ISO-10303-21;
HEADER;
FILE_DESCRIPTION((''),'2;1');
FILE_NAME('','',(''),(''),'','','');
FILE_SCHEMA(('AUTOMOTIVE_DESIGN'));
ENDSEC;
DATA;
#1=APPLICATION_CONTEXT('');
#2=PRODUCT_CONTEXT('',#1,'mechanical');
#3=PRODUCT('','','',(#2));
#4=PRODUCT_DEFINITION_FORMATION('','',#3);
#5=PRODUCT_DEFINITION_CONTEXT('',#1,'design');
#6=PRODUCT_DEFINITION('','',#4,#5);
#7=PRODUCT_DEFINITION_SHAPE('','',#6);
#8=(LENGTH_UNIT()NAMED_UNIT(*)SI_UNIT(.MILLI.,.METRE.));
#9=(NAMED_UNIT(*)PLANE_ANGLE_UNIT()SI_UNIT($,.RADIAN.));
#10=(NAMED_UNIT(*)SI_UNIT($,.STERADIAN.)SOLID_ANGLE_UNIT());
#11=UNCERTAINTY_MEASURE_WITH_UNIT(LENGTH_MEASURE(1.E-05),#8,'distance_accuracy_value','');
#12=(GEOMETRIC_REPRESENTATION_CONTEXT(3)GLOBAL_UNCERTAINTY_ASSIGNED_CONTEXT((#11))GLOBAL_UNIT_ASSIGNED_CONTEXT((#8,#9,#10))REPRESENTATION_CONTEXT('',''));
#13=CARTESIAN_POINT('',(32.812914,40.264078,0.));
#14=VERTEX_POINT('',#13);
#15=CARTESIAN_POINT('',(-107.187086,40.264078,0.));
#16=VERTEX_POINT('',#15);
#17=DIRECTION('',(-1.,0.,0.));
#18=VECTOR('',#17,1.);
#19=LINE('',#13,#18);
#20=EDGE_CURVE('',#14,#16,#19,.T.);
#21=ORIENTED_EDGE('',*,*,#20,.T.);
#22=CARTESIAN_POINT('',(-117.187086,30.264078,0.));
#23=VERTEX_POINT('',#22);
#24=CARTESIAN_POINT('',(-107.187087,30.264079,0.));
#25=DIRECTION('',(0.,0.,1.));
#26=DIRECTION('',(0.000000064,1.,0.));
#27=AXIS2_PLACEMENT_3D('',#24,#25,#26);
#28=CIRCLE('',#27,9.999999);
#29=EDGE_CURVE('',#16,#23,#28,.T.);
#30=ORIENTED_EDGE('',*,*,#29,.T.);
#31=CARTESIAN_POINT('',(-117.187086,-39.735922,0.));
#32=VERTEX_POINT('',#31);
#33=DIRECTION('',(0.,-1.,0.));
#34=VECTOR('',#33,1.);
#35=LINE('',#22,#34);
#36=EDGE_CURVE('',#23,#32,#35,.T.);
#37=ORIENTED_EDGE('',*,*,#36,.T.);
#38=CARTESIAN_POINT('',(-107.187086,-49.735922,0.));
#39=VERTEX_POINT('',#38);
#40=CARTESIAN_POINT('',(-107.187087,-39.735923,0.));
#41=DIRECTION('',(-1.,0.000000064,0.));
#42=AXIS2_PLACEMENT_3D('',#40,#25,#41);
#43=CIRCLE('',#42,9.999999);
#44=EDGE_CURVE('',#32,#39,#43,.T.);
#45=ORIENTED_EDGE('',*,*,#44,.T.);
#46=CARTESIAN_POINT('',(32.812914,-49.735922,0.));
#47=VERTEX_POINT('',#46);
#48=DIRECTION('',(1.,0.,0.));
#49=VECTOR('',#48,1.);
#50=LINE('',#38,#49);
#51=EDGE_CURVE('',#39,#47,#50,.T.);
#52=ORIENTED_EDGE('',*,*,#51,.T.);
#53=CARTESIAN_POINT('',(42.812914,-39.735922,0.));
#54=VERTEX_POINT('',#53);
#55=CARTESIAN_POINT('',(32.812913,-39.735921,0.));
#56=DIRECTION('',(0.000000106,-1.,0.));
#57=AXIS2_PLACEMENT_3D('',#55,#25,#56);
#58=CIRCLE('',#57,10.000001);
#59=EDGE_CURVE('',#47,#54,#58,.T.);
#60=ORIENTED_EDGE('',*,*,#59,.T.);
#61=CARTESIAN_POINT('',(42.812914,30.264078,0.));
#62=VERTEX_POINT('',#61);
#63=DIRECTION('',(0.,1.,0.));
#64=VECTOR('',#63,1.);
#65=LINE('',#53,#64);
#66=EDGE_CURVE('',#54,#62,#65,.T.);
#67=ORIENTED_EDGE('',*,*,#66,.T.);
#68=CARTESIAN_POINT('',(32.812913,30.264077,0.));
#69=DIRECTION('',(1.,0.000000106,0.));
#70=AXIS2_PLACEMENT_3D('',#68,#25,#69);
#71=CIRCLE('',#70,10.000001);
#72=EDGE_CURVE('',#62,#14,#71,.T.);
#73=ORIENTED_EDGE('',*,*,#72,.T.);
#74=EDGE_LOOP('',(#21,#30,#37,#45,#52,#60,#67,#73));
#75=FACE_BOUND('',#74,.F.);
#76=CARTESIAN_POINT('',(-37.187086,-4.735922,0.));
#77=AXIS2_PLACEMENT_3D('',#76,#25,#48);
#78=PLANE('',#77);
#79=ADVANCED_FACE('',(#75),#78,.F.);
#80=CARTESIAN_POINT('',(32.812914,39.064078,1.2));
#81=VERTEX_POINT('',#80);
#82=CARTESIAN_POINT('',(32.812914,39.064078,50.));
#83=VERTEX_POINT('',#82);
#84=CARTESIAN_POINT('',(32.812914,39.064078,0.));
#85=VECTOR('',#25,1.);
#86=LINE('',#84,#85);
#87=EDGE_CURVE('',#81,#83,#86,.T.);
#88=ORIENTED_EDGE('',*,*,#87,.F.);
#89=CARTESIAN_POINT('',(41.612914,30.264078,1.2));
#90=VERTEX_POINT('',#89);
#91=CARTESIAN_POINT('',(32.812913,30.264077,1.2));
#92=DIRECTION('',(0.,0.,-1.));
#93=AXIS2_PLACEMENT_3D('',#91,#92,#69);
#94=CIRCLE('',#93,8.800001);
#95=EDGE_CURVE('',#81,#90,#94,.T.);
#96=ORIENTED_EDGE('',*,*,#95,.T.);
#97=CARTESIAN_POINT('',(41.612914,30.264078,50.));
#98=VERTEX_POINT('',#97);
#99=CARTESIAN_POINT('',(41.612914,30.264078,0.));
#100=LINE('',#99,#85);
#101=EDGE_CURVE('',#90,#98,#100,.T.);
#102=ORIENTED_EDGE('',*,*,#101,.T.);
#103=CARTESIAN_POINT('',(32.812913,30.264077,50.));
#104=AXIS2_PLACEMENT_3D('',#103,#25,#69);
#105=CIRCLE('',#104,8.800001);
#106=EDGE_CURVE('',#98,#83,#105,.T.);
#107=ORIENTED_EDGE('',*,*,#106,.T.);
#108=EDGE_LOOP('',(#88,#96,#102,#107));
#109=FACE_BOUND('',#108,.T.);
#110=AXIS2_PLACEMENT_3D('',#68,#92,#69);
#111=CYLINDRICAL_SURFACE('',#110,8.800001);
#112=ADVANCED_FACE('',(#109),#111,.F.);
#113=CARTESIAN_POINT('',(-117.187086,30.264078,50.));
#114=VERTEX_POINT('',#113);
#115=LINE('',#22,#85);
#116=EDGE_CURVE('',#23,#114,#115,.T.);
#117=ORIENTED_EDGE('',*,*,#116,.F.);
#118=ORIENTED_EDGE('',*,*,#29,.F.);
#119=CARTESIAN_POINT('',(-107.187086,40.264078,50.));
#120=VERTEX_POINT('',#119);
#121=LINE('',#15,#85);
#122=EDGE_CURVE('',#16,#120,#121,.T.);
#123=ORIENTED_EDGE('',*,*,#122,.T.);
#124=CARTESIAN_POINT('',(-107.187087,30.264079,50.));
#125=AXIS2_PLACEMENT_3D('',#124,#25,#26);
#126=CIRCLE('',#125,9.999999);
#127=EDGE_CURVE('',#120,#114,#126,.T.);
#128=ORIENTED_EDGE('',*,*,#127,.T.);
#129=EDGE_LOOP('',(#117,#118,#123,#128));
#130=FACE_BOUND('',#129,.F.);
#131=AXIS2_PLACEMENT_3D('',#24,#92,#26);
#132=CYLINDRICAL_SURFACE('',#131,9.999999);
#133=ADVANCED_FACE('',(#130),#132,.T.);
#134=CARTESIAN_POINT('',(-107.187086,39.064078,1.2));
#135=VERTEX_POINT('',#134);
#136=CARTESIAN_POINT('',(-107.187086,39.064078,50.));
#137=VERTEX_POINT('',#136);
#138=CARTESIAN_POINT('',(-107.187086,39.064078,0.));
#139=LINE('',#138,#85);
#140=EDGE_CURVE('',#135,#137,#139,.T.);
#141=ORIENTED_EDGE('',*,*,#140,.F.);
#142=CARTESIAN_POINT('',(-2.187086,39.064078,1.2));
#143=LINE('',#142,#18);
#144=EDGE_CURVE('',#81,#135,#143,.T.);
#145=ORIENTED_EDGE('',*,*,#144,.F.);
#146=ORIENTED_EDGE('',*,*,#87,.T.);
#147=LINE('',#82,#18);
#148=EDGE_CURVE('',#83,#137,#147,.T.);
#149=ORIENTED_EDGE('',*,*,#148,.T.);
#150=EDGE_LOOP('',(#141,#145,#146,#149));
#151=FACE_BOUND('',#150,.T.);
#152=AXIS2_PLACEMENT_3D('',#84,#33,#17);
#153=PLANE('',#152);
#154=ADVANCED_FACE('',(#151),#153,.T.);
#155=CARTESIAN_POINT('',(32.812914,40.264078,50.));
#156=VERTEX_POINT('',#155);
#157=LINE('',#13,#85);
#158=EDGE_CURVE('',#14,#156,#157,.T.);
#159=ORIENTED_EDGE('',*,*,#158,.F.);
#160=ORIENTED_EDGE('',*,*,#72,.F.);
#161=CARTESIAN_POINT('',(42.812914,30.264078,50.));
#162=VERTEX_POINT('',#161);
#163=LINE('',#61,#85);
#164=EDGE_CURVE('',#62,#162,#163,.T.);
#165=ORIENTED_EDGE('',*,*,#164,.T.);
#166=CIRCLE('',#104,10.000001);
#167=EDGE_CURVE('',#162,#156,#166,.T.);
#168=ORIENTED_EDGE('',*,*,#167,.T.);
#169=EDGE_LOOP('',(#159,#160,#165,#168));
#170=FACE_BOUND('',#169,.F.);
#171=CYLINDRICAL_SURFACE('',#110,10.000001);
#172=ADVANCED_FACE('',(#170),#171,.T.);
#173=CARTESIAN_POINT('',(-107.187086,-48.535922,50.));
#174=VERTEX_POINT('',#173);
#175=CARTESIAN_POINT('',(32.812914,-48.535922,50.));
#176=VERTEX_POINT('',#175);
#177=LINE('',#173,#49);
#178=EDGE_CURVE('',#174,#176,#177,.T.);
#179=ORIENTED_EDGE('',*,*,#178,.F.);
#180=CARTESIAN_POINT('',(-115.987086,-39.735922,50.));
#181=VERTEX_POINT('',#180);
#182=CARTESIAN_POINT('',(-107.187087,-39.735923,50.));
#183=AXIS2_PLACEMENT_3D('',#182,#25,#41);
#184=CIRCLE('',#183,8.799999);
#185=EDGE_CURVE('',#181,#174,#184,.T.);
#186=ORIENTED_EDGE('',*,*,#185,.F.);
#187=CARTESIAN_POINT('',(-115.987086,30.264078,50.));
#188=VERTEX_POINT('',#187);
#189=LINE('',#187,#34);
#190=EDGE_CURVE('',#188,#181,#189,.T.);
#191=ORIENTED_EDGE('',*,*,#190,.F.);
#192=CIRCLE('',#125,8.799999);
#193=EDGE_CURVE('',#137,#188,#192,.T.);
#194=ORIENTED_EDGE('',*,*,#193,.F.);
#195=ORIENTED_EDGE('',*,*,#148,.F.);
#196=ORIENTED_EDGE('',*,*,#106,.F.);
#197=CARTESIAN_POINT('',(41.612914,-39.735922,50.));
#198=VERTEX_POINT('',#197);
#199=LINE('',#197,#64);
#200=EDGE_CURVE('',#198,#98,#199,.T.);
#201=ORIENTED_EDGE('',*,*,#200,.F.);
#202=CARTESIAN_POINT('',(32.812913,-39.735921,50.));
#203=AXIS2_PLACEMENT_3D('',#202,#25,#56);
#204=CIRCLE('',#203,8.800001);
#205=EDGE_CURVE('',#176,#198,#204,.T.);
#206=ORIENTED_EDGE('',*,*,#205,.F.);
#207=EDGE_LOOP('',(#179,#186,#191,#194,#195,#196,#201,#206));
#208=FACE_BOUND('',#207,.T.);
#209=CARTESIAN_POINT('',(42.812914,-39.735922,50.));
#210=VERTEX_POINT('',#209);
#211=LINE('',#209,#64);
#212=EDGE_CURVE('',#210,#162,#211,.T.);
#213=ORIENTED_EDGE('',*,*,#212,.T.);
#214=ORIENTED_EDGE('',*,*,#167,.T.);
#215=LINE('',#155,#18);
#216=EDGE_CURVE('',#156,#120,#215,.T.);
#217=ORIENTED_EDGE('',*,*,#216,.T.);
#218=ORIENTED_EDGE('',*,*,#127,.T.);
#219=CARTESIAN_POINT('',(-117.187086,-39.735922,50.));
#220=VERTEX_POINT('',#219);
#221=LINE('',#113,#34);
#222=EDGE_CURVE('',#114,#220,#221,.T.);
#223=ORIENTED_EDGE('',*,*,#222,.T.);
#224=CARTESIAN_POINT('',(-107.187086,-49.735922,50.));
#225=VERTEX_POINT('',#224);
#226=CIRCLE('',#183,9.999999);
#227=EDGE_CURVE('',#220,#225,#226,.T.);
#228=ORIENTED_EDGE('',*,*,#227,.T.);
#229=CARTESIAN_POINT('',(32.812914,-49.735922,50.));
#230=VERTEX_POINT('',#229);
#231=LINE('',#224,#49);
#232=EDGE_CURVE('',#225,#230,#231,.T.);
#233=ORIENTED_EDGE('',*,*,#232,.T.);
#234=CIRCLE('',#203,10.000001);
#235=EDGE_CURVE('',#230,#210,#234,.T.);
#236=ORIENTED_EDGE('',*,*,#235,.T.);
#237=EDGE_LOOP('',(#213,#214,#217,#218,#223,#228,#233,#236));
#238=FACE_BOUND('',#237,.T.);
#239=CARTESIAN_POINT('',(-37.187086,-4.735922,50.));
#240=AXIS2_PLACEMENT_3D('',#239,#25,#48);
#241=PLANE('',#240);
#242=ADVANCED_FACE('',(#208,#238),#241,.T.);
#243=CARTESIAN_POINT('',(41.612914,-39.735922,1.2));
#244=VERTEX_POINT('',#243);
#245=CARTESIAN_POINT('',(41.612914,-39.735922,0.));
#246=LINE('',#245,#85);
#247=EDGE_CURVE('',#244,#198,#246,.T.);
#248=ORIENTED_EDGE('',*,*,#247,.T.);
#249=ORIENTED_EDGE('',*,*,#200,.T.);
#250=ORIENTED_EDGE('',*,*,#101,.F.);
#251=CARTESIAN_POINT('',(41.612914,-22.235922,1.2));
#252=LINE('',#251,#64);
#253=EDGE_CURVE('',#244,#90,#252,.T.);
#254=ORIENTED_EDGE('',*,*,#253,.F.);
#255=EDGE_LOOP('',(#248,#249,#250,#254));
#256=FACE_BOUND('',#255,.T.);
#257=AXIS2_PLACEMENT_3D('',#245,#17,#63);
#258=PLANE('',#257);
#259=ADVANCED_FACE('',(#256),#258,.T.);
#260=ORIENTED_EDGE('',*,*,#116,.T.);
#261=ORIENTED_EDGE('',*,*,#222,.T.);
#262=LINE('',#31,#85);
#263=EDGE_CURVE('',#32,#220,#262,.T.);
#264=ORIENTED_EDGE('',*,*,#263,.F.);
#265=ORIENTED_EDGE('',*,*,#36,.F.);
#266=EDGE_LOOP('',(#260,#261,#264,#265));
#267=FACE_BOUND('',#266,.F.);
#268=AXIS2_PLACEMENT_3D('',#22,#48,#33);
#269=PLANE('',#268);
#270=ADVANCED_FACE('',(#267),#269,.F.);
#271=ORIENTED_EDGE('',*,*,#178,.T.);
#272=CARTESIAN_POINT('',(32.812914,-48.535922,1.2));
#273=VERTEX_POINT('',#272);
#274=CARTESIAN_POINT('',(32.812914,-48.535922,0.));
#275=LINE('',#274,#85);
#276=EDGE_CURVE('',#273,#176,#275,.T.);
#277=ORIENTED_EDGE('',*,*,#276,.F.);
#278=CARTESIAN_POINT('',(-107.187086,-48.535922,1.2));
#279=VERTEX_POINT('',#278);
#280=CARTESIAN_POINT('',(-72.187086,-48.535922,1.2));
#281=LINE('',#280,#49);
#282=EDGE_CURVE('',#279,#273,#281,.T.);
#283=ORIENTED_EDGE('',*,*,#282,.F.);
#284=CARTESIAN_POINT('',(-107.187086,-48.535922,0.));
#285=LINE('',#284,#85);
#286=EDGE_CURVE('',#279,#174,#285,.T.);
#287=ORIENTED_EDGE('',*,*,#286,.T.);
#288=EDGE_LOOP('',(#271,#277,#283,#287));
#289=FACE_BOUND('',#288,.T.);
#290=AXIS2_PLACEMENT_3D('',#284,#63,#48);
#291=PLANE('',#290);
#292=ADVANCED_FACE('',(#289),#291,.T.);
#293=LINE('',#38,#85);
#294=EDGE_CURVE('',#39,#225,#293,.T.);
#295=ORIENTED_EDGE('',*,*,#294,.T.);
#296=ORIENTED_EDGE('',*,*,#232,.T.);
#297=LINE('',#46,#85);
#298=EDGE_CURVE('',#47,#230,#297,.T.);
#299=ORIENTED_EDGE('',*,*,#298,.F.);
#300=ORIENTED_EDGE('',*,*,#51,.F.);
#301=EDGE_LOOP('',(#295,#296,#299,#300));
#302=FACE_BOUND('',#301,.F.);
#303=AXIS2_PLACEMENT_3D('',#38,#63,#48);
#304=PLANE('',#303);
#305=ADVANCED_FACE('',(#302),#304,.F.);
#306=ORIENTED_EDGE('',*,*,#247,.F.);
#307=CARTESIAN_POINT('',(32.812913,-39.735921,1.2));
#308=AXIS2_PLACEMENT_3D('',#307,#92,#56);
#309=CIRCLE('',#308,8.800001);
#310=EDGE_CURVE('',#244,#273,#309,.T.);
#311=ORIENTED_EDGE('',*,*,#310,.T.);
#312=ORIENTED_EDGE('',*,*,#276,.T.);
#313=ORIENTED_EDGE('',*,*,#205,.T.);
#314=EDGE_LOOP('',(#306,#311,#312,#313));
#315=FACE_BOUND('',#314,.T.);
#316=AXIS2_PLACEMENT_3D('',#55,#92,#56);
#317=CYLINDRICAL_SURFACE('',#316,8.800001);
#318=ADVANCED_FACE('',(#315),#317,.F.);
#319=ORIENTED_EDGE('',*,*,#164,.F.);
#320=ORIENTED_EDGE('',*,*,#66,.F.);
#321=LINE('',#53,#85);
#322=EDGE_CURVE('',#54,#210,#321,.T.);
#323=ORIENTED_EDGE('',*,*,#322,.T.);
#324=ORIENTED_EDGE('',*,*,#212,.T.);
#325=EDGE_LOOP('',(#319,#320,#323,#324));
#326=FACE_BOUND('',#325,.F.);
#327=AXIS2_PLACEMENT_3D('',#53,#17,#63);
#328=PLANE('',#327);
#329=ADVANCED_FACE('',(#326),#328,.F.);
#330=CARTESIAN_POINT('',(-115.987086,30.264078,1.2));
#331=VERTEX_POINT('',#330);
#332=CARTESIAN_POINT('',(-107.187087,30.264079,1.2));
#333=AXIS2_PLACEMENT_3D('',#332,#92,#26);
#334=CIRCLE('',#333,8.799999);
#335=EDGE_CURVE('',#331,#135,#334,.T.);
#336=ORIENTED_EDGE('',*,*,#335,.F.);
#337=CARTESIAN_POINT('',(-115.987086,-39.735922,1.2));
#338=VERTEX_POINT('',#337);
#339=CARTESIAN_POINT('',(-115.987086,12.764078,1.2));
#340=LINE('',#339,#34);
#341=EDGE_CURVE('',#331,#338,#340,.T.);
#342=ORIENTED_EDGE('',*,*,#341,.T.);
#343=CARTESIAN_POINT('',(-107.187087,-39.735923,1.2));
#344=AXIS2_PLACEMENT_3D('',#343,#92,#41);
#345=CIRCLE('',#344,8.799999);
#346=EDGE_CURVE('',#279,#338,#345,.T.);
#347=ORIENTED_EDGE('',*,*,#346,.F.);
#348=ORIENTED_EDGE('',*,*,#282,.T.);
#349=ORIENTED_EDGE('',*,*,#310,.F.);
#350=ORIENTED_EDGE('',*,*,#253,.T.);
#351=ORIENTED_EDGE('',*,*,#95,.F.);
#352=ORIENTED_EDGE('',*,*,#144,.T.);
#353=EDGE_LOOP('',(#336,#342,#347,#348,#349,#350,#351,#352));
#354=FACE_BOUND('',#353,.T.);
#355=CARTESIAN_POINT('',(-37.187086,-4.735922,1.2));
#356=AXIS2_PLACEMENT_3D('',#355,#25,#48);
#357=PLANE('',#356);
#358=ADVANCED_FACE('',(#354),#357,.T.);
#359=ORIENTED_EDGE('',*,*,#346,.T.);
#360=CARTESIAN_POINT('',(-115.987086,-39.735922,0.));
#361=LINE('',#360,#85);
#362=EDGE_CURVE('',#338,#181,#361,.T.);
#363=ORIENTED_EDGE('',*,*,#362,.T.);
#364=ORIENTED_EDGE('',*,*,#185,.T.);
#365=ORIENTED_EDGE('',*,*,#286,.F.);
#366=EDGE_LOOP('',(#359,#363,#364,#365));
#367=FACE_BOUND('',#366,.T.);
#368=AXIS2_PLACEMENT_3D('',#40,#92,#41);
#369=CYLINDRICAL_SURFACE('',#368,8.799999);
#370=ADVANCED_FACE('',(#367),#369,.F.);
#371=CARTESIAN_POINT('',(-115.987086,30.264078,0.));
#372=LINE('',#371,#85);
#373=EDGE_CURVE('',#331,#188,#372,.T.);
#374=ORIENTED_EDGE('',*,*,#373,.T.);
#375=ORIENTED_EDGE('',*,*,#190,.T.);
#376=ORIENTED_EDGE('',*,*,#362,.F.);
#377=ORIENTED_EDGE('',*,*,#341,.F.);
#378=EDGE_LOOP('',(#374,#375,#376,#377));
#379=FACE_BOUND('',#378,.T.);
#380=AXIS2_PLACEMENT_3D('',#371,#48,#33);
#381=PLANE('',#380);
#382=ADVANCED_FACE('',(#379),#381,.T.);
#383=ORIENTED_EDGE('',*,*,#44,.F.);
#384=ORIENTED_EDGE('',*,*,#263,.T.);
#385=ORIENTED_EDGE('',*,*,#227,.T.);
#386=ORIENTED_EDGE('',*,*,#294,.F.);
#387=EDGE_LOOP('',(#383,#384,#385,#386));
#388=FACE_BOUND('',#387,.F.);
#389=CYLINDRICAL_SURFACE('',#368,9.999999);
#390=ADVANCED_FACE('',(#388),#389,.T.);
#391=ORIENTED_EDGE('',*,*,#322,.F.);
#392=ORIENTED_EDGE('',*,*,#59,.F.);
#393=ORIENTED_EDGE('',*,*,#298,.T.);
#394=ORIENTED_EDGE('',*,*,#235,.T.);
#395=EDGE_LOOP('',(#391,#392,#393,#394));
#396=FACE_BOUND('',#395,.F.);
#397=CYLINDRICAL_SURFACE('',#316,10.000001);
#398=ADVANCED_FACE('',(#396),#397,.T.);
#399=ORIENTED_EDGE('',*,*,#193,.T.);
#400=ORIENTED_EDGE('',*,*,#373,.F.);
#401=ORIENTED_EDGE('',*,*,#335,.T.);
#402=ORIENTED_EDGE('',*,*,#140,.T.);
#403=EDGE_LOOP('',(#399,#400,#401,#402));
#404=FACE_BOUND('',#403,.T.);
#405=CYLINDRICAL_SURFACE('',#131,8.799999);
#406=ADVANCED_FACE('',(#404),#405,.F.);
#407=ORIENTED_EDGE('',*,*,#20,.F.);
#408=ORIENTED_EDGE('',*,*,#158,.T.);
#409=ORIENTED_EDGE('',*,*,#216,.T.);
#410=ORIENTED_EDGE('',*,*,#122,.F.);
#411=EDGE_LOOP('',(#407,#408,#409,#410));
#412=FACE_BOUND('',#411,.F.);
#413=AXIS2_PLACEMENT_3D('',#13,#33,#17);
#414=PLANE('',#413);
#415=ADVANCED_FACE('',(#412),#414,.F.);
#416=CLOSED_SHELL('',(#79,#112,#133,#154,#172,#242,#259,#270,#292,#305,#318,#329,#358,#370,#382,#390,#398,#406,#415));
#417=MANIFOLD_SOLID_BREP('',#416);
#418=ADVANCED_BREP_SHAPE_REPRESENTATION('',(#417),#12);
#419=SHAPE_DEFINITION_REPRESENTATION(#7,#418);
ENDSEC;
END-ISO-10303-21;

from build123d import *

# Parameters (mm, degrees)
F1_DEPTH = 50
F2_T     = -1.2


with BuildPart() as f1:
    # F0 (on Top) → F1 (new body)
    with BuildSketch(Plane.XY):
        with BuildLine():
            Line((32.812914, 40.264078), (-107.187086, 40.264078))
            ThreePointArc((-107.187086, 40.264078), (-114.258154, 37.335146), (-117.187086, 30.264078))
            Line((-117.187086, 30.264078), (-117.187086, -39.735922))
            ThreePointArc((-117.187086, -39.735922), (-114.258154, -46.80699), (-107.187086, -49.735922))
            Line((-107.187086, -49.735922), (32.812914, -49.735922))
            ThreePointArc((32.812914, -49.735922), (39.883981, -46.80699), (42.812914, -39.735922))
            Line((42.812914, -39.735922), (42.812914, 30.264078))
            ThreePointArc((42.812914, 30.264078), (39.883981, 37.335146), (32.812914, 40.264078))
        make_face()
    extrude(amount=F1_DEPTH)

    # F2
    f2_openings = [f1.faces().sort_by_distance(p)[0] for p in [
        (-37.187086, -4.735922, 50),
    ]]
    offset(amount=F2_T, openings=f2_openings)


solid = f1.part
